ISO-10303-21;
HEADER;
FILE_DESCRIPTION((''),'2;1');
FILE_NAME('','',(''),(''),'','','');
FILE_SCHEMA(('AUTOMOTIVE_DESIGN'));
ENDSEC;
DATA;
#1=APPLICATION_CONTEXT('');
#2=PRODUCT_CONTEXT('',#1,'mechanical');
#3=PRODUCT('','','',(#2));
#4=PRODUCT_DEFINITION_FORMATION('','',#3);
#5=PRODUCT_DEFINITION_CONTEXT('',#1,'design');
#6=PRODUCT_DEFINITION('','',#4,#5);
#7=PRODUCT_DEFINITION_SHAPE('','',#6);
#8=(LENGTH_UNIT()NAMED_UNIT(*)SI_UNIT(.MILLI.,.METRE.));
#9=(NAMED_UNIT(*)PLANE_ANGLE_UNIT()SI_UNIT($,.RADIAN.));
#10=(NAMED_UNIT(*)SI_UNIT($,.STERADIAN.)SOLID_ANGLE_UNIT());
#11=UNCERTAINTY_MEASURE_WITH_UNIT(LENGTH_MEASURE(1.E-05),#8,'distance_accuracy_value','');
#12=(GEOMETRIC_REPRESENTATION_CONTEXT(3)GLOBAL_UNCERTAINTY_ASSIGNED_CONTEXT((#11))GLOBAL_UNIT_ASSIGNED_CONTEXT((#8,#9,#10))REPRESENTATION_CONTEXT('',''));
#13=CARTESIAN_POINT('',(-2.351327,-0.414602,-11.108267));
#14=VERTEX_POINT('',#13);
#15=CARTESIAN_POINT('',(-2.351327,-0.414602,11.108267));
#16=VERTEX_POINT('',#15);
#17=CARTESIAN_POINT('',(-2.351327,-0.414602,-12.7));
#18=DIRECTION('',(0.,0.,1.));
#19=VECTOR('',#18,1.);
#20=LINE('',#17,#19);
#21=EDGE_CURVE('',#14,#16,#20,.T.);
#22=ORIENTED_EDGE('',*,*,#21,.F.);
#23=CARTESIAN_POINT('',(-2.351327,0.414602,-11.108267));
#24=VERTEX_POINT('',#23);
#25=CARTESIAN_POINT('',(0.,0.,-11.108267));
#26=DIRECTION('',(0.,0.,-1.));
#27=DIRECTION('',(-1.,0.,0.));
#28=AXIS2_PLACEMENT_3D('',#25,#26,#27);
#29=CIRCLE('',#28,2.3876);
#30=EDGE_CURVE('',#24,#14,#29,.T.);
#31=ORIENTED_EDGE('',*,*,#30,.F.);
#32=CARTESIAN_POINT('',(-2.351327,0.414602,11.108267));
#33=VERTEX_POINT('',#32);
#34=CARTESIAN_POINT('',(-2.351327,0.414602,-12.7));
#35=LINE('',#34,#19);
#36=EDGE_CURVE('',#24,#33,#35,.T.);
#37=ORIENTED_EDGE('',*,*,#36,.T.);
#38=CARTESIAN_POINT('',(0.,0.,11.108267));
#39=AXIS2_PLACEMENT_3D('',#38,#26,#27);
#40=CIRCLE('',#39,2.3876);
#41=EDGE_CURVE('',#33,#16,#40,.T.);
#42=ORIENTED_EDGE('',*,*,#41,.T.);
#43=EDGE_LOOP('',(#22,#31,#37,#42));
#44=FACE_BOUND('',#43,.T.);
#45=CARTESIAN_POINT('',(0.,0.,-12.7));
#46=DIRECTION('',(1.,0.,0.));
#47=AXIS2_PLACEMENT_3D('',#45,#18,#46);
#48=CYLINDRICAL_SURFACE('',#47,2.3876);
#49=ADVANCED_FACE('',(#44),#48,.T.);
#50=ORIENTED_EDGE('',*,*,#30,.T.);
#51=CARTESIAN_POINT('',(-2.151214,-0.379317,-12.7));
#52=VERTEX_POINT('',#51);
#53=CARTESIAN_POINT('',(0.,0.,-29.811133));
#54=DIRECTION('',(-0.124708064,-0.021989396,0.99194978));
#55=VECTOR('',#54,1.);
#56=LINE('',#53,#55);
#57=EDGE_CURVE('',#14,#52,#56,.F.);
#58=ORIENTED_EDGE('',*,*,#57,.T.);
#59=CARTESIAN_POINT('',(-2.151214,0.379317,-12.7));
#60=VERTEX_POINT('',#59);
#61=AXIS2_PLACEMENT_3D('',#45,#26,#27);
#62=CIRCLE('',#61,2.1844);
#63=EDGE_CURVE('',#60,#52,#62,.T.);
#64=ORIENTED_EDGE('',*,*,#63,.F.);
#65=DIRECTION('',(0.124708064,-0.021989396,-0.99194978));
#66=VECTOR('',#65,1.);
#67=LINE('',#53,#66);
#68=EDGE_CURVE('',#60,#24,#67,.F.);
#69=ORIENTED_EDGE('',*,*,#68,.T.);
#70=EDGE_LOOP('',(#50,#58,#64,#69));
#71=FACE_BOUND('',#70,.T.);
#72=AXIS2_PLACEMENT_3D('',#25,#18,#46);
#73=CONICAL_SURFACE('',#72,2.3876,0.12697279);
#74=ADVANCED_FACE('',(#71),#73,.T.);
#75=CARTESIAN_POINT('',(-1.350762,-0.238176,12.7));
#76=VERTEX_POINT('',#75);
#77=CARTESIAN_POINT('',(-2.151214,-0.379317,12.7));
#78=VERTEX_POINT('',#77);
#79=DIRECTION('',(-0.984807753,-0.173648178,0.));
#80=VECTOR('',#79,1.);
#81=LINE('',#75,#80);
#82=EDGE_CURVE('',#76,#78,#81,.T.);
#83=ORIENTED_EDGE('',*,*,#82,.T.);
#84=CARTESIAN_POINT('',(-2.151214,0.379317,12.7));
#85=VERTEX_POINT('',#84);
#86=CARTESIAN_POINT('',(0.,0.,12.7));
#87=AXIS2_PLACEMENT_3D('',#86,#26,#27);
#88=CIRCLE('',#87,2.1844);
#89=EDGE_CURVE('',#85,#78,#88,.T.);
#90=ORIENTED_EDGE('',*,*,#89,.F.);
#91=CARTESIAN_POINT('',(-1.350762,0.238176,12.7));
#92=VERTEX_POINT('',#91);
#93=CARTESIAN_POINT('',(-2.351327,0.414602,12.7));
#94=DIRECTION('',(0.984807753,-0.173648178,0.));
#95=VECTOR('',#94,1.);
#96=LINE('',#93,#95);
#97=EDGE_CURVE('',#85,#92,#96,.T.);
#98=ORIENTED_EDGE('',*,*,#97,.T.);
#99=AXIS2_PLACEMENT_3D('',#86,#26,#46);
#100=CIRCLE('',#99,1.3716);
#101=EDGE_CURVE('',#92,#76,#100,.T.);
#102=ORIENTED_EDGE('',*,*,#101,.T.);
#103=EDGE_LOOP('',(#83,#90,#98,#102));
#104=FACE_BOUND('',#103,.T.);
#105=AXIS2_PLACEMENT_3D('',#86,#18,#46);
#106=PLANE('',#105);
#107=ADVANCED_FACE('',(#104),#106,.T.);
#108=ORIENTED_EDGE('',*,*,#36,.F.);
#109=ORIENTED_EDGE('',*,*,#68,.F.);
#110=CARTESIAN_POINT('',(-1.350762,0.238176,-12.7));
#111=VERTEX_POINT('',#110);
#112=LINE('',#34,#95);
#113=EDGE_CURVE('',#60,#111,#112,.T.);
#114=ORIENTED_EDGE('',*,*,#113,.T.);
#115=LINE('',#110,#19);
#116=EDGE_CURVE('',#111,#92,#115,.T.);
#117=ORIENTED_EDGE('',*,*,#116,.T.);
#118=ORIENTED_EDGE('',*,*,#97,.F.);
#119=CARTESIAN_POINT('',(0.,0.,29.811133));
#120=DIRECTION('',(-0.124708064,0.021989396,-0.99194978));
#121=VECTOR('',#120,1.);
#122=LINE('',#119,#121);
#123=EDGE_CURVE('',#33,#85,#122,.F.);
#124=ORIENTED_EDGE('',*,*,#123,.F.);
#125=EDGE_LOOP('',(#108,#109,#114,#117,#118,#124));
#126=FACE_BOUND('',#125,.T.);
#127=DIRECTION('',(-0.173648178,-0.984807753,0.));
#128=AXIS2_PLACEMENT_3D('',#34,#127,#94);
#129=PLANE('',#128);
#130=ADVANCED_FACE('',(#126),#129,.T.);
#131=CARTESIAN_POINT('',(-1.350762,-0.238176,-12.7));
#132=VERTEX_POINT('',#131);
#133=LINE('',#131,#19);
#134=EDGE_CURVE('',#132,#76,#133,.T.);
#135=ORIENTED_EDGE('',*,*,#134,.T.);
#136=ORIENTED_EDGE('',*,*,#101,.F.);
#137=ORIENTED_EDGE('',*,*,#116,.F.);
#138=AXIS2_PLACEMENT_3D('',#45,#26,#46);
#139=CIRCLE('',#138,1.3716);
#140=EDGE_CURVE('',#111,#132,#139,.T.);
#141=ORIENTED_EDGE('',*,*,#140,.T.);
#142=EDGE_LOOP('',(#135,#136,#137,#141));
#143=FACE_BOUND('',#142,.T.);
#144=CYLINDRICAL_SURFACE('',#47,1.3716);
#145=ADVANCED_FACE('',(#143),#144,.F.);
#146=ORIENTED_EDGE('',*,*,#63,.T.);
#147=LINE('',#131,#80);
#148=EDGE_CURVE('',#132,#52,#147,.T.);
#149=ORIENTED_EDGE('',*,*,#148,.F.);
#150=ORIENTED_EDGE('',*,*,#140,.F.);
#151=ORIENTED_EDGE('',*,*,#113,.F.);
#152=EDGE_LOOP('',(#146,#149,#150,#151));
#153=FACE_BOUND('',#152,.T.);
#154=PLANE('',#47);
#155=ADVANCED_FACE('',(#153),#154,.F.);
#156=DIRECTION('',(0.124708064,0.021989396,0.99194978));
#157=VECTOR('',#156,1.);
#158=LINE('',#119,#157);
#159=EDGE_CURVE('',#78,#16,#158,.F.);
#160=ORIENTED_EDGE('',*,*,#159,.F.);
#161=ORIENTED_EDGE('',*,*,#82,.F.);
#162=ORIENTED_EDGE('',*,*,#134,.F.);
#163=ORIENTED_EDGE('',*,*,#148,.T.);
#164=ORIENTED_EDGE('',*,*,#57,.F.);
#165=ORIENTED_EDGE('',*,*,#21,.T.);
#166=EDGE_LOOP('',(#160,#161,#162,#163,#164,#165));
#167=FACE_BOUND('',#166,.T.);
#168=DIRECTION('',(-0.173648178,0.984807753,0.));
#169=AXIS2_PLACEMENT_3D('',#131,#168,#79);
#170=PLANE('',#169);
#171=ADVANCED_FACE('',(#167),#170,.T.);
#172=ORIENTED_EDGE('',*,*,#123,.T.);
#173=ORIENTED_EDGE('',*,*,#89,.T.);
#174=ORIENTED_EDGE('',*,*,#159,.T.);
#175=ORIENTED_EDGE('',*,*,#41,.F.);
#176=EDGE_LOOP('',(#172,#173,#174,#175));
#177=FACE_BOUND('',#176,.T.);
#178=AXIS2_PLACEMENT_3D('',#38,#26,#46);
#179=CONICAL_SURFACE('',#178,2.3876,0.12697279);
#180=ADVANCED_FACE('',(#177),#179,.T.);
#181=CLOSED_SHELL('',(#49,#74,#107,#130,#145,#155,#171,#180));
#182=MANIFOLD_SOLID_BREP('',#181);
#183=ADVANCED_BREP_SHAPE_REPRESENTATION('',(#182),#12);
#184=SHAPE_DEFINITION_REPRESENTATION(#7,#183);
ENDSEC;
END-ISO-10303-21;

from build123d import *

# Parameters (mm, degrees)
EXTRUDE1_DEPTH      = 12.7
EXTRUDE1_DEPTH_BACK = 12.7


with BuildPart() as part:
    # Sketch1 → Extrude1 (new, two sides: drawn at the far end of the back side and taken through both)
    with BuildSketch(Plane.XY.offset(-EXTRUDE1_DEPTH_BACK)):
        with BuildLine():
            Line((-1.350762314, -0.23817584), (-2.351326991, -0.414602389))
            ThreePointArc((-2.351326991, -0.414602389), (2.3876, 0), (-2.351326991, 0.414602389))
            Line((-2.351326991, 0.414602389), (-1.350762314, 0.23817584))
            ThreePointArc((-1.350762314, 0.23817584), (1.3716, 0), (-1.350762314, -0.23817584))
        make_face()
    extrude(amount=EXTRUDE1_DEPTH + EXTRUDE1_DEPTH_BACK)

    # Sketch2 → Cut-Revolve1 (revolve, cut)
    with BuildSketch(Plane(origin=(0, 0, 0), x_dir=(0, 0, -1), z_dir=(1, 0, 0))):
        Polygon((12.7, 2.1844), (11.108266667, 2.3876), (12.7, 2.3876), align=None)
    cut_revolve1 = revolve(axis=Axis((0, 0, -12.7), (0, 0, 1)), mode=Mode.SUBTRACT)

    # Mirror1: Cut-Revolve1 across plane
    add(cut_revolve1.mirror(Plane.XY), mode=Mode.SUBTRACT)


solid = part.part
